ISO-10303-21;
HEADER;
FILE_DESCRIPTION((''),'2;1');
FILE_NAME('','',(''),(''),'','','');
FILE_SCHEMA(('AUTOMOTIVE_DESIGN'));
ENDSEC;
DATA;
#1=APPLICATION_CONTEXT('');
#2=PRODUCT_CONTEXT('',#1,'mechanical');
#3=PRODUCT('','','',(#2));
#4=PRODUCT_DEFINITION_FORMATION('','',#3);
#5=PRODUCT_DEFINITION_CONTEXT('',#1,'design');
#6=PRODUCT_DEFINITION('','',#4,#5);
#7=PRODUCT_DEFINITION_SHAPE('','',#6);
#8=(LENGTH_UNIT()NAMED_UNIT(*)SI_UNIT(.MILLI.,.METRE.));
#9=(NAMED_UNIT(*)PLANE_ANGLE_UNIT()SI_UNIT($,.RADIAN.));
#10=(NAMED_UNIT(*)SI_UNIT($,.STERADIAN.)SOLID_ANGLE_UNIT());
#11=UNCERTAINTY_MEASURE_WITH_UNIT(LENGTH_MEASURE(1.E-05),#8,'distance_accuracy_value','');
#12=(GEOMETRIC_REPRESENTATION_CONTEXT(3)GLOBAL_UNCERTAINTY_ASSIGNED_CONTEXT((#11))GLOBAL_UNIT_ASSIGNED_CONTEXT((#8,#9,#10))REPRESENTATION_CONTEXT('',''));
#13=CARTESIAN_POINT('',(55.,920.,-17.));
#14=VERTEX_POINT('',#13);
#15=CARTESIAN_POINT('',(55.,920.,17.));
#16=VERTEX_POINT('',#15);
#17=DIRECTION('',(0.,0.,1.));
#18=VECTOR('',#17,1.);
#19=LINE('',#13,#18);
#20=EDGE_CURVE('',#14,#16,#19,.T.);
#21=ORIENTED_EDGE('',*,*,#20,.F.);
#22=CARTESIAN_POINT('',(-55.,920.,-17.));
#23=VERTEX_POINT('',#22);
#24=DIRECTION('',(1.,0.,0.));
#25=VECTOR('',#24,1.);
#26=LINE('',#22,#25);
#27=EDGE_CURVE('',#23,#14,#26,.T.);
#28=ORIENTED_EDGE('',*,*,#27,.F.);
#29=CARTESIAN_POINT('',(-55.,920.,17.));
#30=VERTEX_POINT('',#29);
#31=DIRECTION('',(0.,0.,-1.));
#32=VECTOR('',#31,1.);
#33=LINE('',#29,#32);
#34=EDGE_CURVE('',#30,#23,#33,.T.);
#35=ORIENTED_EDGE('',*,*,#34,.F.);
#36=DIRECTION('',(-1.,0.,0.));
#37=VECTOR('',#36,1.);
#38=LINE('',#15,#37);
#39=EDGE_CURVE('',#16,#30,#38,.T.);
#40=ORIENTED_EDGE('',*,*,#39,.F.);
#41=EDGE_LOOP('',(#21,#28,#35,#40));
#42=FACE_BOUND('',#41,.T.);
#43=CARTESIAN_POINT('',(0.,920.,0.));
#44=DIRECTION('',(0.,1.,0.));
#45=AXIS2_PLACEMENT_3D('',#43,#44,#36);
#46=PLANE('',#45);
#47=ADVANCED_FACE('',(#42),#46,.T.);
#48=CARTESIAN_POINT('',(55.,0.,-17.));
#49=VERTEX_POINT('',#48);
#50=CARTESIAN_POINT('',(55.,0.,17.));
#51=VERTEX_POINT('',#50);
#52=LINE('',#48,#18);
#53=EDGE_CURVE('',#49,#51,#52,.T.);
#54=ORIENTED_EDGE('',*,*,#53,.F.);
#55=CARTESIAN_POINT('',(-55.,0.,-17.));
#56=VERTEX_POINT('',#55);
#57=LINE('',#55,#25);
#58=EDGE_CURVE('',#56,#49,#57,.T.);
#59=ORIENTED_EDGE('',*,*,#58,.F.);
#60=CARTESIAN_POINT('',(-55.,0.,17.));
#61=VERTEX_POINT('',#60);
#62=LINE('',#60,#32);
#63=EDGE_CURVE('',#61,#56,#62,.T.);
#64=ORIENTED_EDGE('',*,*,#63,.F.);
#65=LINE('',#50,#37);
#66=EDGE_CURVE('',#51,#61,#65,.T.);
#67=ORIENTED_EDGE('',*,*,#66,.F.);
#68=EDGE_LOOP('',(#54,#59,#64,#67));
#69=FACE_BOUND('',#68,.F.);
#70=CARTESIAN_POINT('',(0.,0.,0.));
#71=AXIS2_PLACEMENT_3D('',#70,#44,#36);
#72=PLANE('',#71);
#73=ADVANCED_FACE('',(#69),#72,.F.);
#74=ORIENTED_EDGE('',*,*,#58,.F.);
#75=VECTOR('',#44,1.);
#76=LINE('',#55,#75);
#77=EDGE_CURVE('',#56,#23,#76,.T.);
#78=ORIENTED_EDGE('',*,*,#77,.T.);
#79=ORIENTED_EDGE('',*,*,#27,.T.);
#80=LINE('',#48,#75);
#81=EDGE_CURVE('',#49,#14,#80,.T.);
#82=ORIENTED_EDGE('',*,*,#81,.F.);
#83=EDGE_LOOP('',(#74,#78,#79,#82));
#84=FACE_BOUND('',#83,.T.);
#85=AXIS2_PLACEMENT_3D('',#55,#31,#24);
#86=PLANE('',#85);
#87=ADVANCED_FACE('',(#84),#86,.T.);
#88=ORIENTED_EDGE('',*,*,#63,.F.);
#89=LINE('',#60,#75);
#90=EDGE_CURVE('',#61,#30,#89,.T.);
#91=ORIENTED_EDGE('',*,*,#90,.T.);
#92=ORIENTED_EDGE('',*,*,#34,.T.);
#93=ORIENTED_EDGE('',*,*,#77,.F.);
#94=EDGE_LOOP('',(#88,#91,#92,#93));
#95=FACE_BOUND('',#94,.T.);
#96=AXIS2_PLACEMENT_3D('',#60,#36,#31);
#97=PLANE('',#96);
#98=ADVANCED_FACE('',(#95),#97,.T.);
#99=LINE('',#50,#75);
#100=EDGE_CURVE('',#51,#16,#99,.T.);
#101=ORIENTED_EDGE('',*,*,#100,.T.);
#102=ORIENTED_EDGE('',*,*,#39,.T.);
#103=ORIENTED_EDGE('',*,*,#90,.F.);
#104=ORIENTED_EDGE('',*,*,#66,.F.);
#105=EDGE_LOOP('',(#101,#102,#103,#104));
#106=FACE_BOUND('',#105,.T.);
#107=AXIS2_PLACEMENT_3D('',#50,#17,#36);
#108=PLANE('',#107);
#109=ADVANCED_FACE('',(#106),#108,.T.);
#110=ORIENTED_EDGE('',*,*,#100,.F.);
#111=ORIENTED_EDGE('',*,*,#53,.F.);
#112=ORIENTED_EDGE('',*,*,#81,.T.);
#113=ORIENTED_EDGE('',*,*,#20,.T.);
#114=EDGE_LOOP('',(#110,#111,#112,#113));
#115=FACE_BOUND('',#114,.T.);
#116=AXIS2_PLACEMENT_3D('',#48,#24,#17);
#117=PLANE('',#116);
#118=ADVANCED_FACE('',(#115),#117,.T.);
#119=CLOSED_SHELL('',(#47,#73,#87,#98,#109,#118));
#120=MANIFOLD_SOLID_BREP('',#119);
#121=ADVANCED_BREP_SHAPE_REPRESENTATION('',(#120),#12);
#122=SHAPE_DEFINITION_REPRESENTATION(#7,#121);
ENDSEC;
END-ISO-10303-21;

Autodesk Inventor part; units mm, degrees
ref_plane "YZ Plane" through (0, 0, 0) normal (1, 0, 0) x (0, 1, 0)
ref_plane "XZ Plane" through (0, 0, 0) normal (0, 1, 0) x (-1, 0, 0)
ref_plane "XY Plane" through (0, 0, 0) normal (0, 0, 1) x (1, 0, 0)
sketch "Sketch1" plane through (0, 0, 0) normal (0, 1, 0) x (-1, 0, 0)
  line L0 (-55, 17) -> (55, 17)
  line L1 (55, 17) -> (55, -17)
  line L2 (55, -17) -> (-55, -17)
  line L3 (-55, -17) -> (-55, 17)
  line L4 (-55, 17) -> (55, -17) construction
  line L5 (55, 17) -> (-55, -17) construction
  point P0 (0, 0)
  dimension "d0" = 110
  dimension "d1" = 34
extrude "Extrusion1" add sketch "Sketch1" along normal blind 920
properties part number "MountVertical"
